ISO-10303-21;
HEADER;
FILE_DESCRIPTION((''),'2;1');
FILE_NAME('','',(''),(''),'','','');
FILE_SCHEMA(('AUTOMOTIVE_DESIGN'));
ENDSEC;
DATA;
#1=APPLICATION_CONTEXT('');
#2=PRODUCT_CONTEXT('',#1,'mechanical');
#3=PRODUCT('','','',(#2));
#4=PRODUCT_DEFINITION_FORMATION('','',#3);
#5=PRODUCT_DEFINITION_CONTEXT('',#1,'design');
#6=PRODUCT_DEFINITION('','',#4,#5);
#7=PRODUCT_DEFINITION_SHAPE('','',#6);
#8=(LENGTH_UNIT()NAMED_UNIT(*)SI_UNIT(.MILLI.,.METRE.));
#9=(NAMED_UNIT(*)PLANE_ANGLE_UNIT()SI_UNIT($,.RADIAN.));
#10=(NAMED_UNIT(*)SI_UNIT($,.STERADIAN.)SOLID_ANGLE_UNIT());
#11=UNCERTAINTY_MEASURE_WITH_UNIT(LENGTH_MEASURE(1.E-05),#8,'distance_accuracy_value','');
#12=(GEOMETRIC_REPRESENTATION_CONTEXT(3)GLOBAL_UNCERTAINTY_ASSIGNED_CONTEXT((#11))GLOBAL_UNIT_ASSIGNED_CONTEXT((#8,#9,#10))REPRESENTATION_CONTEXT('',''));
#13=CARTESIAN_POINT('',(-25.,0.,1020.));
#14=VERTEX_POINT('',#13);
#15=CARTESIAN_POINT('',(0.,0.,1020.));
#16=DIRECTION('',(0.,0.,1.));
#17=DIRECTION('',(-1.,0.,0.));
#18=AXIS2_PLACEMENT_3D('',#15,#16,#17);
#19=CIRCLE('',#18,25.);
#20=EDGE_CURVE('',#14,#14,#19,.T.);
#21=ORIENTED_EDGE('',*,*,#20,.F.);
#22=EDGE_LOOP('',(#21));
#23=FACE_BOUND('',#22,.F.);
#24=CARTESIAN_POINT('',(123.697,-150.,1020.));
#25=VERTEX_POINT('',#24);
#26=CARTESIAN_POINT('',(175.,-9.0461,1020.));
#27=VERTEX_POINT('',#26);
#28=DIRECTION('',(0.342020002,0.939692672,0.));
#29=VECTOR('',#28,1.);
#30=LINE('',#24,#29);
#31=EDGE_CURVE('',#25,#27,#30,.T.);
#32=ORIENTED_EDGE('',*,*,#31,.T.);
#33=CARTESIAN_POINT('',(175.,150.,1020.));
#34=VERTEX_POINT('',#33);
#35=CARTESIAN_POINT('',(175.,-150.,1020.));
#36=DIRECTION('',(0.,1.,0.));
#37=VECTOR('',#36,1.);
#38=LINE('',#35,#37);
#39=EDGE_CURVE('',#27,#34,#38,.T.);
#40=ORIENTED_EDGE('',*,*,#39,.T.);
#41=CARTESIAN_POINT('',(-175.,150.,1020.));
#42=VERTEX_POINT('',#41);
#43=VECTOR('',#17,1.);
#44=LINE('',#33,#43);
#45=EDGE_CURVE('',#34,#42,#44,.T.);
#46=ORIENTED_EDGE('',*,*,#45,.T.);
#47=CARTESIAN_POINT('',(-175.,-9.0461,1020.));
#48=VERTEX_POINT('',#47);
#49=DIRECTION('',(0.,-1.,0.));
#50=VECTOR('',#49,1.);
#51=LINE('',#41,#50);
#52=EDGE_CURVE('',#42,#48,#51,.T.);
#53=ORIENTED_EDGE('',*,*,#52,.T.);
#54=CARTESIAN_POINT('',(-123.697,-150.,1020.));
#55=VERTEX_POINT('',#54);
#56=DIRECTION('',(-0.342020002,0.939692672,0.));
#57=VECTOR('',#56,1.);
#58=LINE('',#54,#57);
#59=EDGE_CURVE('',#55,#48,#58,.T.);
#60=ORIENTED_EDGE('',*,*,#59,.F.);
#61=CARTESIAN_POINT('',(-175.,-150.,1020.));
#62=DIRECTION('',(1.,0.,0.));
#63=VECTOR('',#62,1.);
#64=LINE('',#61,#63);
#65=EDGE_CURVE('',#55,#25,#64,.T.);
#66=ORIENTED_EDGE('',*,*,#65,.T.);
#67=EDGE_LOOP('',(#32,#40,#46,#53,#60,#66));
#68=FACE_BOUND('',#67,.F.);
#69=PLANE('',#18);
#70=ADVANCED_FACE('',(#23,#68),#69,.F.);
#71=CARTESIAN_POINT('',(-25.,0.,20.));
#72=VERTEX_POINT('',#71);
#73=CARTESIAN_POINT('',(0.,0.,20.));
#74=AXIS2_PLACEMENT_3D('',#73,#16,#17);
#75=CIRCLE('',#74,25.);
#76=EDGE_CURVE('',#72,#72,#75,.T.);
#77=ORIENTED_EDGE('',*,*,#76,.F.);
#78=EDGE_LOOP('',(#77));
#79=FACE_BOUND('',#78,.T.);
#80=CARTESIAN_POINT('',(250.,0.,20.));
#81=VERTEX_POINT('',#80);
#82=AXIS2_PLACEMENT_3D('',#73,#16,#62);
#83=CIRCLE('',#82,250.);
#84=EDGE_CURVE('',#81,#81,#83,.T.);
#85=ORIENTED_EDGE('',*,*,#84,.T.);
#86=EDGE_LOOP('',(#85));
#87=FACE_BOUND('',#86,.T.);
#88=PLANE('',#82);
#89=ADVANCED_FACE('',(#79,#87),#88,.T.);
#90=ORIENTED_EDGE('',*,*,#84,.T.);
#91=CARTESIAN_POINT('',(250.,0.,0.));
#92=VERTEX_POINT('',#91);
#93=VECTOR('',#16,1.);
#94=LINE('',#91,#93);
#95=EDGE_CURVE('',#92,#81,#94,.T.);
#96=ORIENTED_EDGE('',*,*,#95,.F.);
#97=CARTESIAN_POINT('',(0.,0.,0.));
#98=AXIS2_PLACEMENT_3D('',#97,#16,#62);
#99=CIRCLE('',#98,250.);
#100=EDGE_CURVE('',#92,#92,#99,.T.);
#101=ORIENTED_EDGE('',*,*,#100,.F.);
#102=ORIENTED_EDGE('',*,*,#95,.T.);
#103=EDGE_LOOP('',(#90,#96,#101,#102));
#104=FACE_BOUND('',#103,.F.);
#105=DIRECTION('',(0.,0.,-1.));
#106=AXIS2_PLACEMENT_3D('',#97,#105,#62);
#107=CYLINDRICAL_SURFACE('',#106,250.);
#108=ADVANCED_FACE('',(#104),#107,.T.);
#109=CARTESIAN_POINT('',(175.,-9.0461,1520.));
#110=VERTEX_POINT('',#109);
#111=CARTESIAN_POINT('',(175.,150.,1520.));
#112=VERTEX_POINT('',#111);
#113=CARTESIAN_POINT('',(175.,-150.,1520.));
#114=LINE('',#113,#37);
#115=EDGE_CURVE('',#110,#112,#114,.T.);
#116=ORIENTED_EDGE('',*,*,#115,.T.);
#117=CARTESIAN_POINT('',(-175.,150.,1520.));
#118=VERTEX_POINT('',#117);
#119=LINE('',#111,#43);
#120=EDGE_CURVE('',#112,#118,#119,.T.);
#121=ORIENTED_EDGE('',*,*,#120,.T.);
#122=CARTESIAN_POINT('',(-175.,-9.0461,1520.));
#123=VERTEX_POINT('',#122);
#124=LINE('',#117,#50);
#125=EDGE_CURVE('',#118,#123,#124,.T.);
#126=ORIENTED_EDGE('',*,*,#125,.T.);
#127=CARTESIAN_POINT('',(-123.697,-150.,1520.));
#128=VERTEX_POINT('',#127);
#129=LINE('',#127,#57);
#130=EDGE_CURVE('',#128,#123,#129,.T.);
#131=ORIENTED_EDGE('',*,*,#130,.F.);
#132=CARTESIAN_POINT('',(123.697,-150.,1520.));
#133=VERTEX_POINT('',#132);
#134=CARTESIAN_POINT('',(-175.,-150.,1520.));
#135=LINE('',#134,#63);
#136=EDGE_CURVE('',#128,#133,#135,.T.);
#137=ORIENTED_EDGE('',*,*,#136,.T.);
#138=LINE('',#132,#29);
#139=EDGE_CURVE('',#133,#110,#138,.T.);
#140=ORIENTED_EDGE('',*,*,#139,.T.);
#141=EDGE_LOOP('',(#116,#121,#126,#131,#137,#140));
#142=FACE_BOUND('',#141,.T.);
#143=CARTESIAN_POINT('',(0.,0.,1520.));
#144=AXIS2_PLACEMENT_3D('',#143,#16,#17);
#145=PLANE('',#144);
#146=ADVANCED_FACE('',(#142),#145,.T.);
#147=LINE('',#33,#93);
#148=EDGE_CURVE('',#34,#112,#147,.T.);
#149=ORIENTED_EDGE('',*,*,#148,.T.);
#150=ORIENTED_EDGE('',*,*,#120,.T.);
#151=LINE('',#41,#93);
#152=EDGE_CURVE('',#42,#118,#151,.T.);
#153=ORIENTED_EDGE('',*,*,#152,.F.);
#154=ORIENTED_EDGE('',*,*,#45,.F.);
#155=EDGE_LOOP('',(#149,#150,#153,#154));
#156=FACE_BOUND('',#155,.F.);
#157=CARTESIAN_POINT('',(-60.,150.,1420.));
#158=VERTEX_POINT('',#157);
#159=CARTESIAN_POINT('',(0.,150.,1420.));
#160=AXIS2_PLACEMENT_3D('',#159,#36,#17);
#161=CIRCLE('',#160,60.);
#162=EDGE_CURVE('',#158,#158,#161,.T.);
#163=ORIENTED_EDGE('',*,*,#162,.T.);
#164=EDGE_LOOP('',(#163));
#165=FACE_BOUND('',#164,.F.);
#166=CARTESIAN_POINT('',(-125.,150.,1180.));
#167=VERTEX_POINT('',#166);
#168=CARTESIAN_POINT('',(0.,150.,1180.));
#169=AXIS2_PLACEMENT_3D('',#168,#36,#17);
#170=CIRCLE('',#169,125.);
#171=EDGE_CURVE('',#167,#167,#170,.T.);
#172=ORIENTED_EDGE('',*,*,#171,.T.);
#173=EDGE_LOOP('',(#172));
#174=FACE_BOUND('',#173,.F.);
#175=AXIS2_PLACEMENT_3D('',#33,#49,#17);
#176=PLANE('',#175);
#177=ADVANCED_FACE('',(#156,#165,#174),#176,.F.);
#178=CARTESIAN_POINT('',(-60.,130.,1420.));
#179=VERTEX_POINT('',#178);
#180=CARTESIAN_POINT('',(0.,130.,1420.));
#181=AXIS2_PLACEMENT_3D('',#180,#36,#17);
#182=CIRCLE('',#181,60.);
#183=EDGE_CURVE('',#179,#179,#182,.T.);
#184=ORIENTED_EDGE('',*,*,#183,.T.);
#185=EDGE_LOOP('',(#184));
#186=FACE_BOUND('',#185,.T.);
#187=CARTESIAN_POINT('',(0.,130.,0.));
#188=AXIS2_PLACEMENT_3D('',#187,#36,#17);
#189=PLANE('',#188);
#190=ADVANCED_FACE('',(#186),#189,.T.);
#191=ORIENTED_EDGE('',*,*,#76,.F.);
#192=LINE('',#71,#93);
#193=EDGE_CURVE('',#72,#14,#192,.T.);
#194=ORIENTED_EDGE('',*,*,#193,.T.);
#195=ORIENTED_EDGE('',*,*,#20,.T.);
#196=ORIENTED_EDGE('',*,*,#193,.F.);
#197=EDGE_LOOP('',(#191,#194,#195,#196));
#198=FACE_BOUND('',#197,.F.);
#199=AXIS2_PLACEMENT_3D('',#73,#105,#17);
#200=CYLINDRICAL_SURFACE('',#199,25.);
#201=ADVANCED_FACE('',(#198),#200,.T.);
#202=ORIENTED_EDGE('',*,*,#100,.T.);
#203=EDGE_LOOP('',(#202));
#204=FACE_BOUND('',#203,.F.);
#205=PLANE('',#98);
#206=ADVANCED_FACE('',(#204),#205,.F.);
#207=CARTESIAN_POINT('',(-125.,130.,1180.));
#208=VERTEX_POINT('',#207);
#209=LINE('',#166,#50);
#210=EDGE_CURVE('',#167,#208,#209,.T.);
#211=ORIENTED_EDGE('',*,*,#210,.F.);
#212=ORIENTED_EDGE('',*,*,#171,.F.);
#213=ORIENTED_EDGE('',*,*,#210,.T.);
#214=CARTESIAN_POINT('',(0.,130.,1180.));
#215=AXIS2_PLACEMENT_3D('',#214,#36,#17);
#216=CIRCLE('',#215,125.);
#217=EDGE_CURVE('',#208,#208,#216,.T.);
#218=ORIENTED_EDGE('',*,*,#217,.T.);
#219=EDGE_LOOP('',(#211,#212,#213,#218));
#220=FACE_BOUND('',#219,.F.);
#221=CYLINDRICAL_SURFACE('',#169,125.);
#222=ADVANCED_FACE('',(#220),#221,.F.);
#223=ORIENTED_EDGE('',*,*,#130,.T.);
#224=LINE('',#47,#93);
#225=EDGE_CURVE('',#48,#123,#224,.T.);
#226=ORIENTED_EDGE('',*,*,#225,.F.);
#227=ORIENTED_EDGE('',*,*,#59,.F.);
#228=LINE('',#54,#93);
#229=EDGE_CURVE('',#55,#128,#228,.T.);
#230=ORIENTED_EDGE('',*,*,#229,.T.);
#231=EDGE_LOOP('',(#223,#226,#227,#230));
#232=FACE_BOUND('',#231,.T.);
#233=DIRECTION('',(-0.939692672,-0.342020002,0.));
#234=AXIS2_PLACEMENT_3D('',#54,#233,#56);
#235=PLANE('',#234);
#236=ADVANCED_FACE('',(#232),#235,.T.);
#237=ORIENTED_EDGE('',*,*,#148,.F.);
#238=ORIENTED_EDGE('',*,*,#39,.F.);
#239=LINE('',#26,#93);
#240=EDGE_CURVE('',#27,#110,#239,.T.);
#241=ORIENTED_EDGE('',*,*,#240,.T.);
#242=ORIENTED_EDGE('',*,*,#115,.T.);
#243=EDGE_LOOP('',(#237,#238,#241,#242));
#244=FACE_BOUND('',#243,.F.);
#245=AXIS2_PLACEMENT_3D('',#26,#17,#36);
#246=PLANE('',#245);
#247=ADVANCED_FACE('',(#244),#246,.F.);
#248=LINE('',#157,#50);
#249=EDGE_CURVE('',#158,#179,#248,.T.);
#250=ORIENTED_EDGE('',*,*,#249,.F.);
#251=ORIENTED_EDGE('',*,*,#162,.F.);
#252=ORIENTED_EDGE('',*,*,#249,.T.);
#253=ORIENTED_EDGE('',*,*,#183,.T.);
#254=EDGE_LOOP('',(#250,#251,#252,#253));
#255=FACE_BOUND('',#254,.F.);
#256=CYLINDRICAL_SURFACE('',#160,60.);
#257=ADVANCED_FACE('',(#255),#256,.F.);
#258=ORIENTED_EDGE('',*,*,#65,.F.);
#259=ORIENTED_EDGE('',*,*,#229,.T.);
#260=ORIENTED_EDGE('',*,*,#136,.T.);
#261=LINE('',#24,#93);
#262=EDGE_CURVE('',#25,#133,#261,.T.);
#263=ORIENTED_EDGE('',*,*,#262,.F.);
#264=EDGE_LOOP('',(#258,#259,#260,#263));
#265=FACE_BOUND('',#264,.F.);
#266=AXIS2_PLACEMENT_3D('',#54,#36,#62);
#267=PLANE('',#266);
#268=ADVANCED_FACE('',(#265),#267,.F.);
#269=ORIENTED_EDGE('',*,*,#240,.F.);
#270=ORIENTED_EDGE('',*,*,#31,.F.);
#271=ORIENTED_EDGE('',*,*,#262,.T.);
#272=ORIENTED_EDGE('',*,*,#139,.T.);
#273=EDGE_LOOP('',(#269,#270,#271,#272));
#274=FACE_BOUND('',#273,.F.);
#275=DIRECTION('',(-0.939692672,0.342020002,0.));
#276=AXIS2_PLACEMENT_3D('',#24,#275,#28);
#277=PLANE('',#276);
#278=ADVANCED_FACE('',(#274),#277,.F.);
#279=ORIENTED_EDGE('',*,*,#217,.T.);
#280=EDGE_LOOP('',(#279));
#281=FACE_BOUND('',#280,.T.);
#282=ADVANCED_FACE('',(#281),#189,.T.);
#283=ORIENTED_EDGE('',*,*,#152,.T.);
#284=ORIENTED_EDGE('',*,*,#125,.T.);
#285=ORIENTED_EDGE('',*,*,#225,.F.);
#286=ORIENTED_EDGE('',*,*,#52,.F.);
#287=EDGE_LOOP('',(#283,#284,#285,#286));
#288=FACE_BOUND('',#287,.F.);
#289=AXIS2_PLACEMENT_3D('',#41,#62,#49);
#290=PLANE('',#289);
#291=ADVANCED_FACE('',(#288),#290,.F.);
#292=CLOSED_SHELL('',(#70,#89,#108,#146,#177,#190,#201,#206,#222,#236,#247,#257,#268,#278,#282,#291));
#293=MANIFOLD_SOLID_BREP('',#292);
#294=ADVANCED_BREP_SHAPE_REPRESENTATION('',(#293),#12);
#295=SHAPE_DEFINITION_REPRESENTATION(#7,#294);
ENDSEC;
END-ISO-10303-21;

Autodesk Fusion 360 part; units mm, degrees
sketch "Schizzo1" plane through (0, 0, 0) normal (0, 0, 1) x (1, 0, 0)
  circle A0 centre (0, 0) radius 250
  dimension "d1" = 500
extrude "Estrusione1" add sketch "Schizzo1" along normal blind 20
sketch "Schizzo2" plane through (0, 0, 20) normal (0, 0, 1) x (-1, 0, 0)
  circle A0 centre (0, 0) radius 250
  circle A1 centre (0, 0) radius 25
  dimension "d4" = 50
extrude "Estrusione2" add sketch "Schizzo2" along normal blind 1000 contours A1
sketch "Schizzo3" plane through (0, 0, 1020) normal (0, 0, 1) x (-1, 0, 0)
  circle A0 centre (0, 0) radius 25
  line L0 (-175, -150) -> (175, -150)
  line L1 (175, -150) -> (175, 150)
  line L2 (175, 150) -> (-175, 150)
  line L3 (-175, 150) -> (-175, -150)
  line L4 (-175, -150) -> (175, 150) construction
  line L5 (175, -150) -> (-175, 150) construction
  line L6 (-123.697, 150) -> (-175, 9.0461)
  line L7 (123.697, 150) -> (175, 9.0461)
  dimension "d7" = 350
  dimension "d8" = 300
  dimension "d11" = 150
  dimension "d12" = 20
  dimension "d13" = 20
extrude "Estrusione3" add sketch "Schizzo3" along normal blind 500 contours A0 | L0 L1 L2 L3 L6 L7
sketch "Schizzo4" plane through (0, 150, 0) normal (0, 1, 0) x (-1, 0, 0)
  line L0 (-175, 1020) -> (175, 1020)
  line L1 (175, 1020) -> (175, 1520)
  line L2 (175, 1520) -> (-175, 1520)
  line L3 (-175, 1520) -> (-175, 1020)
  line L4 (0, 1520) -> (0, 1020) construction
  circle A0 centre (0, 1420) radius 60
  circle A1 centre (0, 1180) radius 125
  dimension "d14" = 120
  dimension "d15" = 250
  dimension "d16" = 100
  dimension "d17" = 160
extrude "Estrusione4" cut sketch "Schizzo4" against normal blind 20 contours A0 | A1
component "Component" placed x (1, 0, 0) y (0, 1, 0) z (0, 0, 1) at (0, 0, 0)
